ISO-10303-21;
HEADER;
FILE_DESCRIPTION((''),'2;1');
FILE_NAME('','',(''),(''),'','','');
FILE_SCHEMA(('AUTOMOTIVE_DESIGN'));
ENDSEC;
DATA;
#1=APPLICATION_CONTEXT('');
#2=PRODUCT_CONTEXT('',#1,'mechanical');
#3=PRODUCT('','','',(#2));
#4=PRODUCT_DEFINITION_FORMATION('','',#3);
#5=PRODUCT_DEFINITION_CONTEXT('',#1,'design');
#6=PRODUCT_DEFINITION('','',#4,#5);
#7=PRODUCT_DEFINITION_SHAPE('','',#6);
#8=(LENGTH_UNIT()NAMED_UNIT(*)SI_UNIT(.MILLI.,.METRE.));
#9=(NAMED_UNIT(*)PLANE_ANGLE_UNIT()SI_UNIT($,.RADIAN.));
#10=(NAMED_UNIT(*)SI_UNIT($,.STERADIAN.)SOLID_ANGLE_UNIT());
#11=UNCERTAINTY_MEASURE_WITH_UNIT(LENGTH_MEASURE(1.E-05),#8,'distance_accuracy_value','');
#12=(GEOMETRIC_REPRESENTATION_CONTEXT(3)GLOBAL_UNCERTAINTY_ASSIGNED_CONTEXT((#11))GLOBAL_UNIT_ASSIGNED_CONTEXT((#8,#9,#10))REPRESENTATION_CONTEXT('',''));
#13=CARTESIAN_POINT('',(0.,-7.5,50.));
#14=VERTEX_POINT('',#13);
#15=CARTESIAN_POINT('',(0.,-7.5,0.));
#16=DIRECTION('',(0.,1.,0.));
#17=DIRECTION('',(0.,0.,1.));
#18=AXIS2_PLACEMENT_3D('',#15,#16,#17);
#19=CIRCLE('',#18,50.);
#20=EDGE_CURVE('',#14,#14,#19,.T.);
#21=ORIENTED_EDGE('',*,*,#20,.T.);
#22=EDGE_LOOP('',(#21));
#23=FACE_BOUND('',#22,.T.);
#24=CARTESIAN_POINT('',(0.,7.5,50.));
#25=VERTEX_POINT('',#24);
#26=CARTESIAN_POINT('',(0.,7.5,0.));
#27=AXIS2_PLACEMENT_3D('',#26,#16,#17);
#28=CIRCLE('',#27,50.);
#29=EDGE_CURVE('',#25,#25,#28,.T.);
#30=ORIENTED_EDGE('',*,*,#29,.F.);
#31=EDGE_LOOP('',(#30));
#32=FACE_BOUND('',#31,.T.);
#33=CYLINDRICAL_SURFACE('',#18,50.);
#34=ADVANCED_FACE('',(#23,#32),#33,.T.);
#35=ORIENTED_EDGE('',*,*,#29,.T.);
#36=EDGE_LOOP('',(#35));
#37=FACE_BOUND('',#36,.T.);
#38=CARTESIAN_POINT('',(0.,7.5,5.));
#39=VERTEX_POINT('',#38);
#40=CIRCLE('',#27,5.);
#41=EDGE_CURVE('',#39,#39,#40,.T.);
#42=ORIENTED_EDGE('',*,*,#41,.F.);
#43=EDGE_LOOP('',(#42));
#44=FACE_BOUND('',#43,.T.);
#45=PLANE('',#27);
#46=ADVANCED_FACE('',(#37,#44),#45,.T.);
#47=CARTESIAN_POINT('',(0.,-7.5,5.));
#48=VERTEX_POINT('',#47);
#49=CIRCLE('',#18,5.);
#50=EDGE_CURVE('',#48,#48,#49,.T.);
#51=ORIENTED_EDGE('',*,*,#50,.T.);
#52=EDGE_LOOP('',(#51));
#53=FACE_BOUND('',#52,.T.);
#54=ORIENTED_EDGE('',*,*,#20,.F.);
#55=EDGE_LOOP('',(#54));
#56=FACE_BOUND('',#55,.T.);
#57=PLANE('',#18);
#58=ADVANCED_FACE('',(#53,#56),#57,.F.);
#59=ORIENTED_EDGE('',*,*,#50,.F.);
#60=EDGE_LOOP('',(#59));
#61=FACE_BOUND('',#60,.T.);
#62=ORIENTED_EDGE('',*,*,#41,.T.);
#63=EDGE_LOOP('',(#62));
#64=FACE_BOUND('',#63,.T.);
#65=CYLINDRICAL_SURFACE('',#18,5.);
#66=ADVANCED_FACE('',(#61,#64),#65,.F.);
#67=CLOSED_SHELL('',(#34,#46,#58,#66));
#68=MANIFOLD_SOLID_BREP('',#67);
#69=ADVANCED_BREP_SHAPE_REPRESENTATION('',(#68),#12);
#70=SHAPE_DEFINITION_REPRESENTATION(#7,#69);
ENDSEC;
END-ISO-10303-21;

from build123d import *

# Parameters (mm, degrees)
SKETCH1_R                = 50
BOSS_EXTRUDE1_DEPTH      = 7.5
BOSS_EXTRUDE1_DEPTH_BACK = 7.5
SKETCH2_R                = 5
CUT_EXTRUDE2_DEPTH       = 8.5
CUT_EXTRUDE2_DEPTH_BACK  = 8.5


with BuildPart() as part:
    # Sketch1 → Boss-Extrude1 (new body, two sides)
    with BuildSketch(Plane(origin=(0, 0, 0), x_dir=(1, 0, 0), z_dir=(0, 1, 0))) as boss_extrude1_sk:
        Circle(SKETCH1_R)
    extrude(amount=BOSS_EXTRUDE1_DEPTH)
    extrude(boss_extrude1_sk.sketch, amount=-BOSS_EXTRUDE1_DEPTH_BACK)

    # Sketch2 → Cut-Extrude2 (cut, two sides)
    with BuildSketch(Plane(origin=(0, 0, 0), x_dir=(1, 0, 0), z_dir=(0, 1, 0))) as cut_extrude2_sk:
        Circle(SKETCH2_R)
    extrude(amount=CUT_EXTRUDE2_DEPTH, mode=Mode.SUBTRACT)
    extrude(cut_extrude2_sk.sketch, amount=-CUT_EXTRUDE2_DEPTH_BACK, mode=Mode.SUBTRACT)


solid = part.part
